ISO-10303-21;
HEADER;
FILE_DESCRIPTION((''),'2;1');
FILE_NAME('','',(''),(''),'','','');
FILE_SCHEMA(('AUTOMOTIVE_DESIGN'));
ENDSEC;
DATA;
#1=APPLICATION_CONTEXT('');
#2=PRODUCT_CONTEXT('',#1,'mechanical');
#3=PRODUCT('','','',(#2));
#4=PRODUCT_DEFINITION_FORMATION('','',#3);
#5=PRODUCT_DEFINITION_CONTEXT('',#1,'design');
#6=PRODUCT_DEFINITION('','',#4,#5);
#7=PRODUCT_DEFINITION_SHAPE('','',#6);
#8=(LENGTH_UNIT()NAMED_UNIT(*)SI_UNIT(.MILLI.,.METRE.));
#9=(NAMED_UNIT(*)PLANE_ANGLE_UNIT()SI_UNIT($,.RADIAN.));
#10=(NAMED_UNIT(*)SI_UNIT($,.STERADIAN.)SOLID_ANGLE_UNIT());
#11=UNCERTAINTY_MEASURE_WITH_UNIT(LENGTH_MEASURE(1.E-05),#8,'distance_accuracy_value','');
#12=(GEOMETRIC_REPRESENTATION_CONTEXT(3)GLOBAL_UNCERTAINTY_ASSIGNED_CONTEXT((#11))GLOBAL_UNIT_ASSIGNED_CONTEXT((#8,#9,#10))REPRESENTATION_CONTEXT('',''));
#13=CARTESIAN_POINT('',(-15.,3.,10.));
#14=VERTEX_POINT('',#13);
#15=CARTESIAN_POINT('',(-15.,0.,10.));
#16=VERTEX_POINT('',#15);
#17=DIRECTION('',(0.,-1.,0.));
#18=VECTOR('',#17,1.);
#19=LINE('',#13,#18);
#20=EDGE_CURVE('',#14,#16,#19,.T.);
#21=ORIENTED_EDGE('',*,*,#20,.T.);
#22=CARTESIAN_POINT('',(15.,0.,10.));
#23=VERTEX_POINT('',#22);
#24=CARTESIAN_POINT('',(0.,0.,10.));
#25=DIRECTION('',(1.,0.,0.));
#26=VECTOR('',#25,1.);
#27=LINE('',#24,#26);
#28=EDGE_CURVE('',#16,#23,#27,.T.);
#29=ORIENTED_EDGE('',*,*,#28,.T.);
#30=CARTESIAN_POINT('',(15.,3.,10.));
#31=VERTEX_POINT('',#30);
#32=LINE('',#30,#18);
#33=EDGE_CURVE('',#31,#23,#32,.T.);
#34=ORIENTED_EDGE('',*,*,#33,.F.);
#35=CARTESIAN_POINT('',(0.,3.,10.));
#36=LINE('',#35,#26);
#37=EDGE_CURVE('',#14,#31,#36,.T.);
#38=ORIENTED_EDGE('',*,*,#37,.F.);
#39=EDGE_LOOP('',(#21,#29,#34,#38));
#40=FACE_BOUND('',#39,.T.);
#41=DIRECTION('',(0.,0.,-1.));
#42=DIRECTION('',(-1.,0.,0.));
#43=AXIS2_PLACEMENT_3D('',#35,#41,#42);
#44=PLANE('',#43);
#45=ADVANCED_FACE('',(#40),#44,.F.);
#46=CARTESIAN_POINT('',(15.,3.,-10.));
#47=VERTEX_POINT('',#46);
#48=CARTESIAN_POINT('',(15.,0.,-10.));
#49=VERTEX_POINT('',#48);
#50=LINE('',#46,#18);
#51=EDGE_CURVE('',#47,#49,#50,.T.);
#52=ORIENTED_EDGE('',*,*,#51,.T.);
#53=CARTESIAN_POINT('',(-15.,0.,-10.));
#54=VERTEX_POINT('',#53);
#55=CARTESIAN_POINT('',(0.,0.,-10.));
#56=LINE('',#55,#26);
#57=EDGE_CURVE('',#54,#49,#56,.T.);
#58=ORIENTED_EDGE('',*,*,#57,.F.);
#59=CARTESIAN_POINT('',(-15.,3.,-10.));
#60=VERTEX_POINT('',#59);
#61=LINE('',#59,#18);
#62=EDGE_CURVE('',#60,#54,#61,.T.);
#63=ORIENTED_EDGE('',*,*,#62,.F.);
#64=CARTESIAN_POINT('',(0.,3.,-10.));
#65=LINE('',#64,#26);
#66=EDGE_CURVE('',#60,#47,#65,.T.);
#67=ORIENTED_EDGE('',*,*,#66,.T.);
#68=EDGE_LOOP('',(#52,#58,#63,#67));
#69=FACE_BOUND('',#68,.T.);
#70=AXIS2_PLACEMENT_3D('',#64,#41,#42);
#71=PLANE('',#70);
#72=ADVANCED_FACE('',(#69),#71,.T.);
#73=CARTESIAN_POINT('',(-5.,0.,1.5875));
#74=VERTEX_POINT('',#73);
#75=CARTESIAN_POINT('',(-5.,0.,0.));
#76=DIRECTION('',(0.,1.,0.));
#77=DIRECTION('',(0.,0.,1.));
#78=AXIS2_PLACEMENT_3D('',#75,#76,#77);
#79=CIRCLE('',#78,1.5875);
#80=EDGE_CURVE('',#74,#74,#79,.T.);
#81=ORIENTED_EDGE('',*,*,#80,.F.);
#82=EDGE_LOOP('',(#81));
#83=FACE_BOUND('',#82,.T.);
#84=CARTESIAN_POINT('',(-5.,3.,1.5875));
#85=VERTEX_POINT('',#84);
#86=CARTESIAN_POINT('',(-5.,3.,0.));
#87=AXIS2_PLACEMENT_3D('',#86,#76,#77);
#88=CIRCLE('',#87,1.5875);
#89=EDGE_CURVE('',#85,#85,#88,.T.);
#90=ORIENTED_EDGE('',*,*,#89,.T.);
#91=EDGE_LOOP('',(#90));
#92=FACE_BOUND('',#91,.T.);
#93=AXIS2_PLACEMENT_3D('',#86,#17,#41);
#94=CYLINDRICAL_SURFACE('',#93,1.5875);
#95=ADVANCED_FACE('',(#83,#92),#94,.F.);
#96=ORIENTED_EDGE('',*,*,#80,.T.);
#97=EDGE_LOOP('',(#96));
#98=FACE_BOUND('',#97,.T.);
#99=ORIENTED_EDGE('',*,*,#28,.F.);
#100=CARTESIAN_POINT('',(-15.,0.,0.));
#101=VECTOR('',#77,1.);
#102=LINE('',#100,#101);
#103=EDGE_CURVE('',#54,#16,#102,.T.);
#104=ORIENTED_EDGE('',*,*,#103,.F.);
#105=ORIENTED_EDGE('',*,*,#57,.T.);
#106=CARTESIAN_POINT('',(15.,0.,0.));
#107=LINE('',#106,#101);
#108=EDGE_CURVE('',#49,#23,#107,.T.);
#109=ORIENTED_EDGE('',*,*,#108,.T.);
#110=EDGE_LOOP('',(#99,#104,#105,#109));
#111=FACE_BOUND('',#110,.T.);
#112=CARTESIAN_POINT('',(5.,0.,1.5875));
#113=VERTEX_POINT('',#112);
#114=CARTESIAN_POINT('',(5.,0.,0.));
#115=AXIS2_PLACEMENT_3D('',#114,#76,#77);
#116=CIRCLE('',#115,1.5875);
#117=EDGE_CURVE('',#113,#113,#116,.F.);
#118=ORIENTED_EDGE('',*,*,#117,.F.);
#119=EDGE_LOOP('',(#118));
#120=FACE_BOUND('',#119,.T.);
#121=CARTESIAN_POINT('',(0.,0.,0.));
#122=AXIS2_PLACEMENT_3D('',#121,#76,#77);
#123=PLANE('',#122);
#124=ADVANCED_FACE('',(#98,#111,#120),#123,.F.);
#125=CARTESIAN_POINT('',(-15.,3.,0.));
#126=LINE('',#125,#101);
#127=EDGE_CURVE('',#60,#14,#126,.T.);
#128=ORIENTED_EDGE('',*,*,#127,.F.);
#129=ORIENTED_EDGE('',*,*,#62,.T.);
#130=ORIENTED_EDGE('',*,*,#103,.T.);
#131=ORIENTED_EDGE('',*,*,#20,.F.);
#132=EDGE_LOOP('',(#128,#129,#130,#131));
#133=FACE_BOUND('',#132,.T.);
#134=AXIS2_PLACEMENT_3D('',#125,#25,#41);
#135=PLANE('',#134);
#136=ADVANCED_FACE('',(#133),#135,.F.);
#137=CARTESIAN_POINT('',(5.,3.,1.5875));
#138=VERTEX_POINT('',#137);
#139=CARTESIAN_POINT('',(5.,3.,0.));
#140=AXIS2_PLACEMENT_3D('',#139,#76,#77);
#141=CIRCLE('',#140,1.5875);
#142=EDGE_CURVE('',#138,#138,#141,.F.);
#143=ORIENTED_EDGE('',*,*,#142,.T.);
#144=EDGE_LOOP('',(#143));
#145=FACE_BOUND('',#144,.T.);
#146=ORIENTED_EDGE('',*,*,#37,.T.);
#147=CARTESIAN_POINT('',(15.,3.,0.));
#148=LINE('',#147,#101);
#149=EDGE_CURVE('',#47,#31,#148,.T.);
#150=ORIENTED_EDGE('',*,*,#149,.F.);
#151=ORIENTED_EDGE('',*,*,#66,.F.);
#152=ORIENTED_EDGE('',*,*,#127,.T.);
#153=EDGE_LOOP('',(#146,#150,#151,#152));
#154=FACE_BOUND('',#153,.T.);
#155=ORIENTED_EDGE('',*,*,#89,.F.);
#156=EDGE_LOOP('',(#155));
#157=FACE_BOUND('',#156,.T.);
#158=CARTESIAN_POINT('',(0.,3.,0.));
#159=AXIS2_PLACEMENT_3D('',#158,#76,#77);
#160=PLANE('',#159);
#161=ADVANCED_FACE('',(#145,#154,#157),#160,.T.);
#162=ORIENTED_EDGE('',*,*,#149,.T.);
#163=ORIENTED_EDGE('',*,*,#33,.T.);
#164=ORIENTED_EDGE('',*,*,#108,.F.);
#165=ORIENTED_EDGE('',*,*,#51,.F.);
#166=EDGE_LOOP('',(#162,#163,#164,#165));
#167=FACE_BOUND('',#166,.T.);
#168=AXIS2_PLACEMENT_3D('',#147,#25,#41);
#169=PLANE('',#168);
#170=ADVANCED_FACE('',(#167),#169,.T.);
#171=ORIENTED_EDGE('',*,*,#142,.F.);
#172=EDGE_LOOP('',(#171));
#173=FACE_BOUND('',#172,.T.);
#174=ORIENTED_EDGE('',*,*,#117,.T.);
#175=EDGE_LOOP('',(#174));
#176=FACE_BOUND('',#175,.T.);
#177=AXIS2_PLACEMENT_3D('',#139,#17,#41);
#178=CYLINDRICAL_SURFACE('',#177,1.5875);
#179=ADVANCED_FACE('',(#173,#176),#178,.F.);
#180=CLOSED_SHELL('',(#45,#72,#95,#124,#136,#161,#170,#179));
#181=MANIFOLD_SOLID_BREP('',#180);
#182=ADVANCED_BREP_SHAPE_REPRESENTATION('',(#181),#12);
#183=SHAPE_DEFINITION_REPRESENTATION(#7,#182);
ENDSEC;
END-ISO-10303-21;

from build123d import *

# Parameters (mm, degrees)
BOSS_EXTRUDE1_DEPTH = 3


with BuildPart() as part:
    # Sketch1 → Boss-Extrude1 (new body)
    with BuildSketch(Plane(origin=(0, 0, 0), x_dir=(1, 0, 0), z_dir=(0, 1, 0))):
        with BuildLine():
            Line((15, 0), (6.5875, 0))
            ThreePointArc((6.5875, 0), (5, -1.5875), (3.4125, 0))
            Line((3.4125, 0), (-3.4125, 0))
            ThreePointArc((-3.4125, 0), (-5, -1.5875), (-6.5875, 0))
            Line((-6.5875, 0), (-15, 0))
            Line((-15, 0), (-15, -10))
            Line((-15, -10), (15, -10))
            Line((15, -10), (15, 0))
        make_face()
        with BuildLine():
            ThreePointArc((3.4125, 0), (5, 1.5875), (6.5875, 0))
            Line((6.5875, 0), (15, 0))
            Line((15, 0), (15, 10))
            Line((15, 10), (-15, 10))
            Line((-15, 10), (-15, 0))
            Line((-15, 0), (-6.5875, 0))
            ThreePointArc((-6.5875, 0), (-5, 1.5875), (-3.4125, 0))
            Line((-3.4125, 0), (3.4125, 0))
        make_face()
    extrude(amount=BOSS_EXTRUDE1_DEPTH)


solid = part.part
